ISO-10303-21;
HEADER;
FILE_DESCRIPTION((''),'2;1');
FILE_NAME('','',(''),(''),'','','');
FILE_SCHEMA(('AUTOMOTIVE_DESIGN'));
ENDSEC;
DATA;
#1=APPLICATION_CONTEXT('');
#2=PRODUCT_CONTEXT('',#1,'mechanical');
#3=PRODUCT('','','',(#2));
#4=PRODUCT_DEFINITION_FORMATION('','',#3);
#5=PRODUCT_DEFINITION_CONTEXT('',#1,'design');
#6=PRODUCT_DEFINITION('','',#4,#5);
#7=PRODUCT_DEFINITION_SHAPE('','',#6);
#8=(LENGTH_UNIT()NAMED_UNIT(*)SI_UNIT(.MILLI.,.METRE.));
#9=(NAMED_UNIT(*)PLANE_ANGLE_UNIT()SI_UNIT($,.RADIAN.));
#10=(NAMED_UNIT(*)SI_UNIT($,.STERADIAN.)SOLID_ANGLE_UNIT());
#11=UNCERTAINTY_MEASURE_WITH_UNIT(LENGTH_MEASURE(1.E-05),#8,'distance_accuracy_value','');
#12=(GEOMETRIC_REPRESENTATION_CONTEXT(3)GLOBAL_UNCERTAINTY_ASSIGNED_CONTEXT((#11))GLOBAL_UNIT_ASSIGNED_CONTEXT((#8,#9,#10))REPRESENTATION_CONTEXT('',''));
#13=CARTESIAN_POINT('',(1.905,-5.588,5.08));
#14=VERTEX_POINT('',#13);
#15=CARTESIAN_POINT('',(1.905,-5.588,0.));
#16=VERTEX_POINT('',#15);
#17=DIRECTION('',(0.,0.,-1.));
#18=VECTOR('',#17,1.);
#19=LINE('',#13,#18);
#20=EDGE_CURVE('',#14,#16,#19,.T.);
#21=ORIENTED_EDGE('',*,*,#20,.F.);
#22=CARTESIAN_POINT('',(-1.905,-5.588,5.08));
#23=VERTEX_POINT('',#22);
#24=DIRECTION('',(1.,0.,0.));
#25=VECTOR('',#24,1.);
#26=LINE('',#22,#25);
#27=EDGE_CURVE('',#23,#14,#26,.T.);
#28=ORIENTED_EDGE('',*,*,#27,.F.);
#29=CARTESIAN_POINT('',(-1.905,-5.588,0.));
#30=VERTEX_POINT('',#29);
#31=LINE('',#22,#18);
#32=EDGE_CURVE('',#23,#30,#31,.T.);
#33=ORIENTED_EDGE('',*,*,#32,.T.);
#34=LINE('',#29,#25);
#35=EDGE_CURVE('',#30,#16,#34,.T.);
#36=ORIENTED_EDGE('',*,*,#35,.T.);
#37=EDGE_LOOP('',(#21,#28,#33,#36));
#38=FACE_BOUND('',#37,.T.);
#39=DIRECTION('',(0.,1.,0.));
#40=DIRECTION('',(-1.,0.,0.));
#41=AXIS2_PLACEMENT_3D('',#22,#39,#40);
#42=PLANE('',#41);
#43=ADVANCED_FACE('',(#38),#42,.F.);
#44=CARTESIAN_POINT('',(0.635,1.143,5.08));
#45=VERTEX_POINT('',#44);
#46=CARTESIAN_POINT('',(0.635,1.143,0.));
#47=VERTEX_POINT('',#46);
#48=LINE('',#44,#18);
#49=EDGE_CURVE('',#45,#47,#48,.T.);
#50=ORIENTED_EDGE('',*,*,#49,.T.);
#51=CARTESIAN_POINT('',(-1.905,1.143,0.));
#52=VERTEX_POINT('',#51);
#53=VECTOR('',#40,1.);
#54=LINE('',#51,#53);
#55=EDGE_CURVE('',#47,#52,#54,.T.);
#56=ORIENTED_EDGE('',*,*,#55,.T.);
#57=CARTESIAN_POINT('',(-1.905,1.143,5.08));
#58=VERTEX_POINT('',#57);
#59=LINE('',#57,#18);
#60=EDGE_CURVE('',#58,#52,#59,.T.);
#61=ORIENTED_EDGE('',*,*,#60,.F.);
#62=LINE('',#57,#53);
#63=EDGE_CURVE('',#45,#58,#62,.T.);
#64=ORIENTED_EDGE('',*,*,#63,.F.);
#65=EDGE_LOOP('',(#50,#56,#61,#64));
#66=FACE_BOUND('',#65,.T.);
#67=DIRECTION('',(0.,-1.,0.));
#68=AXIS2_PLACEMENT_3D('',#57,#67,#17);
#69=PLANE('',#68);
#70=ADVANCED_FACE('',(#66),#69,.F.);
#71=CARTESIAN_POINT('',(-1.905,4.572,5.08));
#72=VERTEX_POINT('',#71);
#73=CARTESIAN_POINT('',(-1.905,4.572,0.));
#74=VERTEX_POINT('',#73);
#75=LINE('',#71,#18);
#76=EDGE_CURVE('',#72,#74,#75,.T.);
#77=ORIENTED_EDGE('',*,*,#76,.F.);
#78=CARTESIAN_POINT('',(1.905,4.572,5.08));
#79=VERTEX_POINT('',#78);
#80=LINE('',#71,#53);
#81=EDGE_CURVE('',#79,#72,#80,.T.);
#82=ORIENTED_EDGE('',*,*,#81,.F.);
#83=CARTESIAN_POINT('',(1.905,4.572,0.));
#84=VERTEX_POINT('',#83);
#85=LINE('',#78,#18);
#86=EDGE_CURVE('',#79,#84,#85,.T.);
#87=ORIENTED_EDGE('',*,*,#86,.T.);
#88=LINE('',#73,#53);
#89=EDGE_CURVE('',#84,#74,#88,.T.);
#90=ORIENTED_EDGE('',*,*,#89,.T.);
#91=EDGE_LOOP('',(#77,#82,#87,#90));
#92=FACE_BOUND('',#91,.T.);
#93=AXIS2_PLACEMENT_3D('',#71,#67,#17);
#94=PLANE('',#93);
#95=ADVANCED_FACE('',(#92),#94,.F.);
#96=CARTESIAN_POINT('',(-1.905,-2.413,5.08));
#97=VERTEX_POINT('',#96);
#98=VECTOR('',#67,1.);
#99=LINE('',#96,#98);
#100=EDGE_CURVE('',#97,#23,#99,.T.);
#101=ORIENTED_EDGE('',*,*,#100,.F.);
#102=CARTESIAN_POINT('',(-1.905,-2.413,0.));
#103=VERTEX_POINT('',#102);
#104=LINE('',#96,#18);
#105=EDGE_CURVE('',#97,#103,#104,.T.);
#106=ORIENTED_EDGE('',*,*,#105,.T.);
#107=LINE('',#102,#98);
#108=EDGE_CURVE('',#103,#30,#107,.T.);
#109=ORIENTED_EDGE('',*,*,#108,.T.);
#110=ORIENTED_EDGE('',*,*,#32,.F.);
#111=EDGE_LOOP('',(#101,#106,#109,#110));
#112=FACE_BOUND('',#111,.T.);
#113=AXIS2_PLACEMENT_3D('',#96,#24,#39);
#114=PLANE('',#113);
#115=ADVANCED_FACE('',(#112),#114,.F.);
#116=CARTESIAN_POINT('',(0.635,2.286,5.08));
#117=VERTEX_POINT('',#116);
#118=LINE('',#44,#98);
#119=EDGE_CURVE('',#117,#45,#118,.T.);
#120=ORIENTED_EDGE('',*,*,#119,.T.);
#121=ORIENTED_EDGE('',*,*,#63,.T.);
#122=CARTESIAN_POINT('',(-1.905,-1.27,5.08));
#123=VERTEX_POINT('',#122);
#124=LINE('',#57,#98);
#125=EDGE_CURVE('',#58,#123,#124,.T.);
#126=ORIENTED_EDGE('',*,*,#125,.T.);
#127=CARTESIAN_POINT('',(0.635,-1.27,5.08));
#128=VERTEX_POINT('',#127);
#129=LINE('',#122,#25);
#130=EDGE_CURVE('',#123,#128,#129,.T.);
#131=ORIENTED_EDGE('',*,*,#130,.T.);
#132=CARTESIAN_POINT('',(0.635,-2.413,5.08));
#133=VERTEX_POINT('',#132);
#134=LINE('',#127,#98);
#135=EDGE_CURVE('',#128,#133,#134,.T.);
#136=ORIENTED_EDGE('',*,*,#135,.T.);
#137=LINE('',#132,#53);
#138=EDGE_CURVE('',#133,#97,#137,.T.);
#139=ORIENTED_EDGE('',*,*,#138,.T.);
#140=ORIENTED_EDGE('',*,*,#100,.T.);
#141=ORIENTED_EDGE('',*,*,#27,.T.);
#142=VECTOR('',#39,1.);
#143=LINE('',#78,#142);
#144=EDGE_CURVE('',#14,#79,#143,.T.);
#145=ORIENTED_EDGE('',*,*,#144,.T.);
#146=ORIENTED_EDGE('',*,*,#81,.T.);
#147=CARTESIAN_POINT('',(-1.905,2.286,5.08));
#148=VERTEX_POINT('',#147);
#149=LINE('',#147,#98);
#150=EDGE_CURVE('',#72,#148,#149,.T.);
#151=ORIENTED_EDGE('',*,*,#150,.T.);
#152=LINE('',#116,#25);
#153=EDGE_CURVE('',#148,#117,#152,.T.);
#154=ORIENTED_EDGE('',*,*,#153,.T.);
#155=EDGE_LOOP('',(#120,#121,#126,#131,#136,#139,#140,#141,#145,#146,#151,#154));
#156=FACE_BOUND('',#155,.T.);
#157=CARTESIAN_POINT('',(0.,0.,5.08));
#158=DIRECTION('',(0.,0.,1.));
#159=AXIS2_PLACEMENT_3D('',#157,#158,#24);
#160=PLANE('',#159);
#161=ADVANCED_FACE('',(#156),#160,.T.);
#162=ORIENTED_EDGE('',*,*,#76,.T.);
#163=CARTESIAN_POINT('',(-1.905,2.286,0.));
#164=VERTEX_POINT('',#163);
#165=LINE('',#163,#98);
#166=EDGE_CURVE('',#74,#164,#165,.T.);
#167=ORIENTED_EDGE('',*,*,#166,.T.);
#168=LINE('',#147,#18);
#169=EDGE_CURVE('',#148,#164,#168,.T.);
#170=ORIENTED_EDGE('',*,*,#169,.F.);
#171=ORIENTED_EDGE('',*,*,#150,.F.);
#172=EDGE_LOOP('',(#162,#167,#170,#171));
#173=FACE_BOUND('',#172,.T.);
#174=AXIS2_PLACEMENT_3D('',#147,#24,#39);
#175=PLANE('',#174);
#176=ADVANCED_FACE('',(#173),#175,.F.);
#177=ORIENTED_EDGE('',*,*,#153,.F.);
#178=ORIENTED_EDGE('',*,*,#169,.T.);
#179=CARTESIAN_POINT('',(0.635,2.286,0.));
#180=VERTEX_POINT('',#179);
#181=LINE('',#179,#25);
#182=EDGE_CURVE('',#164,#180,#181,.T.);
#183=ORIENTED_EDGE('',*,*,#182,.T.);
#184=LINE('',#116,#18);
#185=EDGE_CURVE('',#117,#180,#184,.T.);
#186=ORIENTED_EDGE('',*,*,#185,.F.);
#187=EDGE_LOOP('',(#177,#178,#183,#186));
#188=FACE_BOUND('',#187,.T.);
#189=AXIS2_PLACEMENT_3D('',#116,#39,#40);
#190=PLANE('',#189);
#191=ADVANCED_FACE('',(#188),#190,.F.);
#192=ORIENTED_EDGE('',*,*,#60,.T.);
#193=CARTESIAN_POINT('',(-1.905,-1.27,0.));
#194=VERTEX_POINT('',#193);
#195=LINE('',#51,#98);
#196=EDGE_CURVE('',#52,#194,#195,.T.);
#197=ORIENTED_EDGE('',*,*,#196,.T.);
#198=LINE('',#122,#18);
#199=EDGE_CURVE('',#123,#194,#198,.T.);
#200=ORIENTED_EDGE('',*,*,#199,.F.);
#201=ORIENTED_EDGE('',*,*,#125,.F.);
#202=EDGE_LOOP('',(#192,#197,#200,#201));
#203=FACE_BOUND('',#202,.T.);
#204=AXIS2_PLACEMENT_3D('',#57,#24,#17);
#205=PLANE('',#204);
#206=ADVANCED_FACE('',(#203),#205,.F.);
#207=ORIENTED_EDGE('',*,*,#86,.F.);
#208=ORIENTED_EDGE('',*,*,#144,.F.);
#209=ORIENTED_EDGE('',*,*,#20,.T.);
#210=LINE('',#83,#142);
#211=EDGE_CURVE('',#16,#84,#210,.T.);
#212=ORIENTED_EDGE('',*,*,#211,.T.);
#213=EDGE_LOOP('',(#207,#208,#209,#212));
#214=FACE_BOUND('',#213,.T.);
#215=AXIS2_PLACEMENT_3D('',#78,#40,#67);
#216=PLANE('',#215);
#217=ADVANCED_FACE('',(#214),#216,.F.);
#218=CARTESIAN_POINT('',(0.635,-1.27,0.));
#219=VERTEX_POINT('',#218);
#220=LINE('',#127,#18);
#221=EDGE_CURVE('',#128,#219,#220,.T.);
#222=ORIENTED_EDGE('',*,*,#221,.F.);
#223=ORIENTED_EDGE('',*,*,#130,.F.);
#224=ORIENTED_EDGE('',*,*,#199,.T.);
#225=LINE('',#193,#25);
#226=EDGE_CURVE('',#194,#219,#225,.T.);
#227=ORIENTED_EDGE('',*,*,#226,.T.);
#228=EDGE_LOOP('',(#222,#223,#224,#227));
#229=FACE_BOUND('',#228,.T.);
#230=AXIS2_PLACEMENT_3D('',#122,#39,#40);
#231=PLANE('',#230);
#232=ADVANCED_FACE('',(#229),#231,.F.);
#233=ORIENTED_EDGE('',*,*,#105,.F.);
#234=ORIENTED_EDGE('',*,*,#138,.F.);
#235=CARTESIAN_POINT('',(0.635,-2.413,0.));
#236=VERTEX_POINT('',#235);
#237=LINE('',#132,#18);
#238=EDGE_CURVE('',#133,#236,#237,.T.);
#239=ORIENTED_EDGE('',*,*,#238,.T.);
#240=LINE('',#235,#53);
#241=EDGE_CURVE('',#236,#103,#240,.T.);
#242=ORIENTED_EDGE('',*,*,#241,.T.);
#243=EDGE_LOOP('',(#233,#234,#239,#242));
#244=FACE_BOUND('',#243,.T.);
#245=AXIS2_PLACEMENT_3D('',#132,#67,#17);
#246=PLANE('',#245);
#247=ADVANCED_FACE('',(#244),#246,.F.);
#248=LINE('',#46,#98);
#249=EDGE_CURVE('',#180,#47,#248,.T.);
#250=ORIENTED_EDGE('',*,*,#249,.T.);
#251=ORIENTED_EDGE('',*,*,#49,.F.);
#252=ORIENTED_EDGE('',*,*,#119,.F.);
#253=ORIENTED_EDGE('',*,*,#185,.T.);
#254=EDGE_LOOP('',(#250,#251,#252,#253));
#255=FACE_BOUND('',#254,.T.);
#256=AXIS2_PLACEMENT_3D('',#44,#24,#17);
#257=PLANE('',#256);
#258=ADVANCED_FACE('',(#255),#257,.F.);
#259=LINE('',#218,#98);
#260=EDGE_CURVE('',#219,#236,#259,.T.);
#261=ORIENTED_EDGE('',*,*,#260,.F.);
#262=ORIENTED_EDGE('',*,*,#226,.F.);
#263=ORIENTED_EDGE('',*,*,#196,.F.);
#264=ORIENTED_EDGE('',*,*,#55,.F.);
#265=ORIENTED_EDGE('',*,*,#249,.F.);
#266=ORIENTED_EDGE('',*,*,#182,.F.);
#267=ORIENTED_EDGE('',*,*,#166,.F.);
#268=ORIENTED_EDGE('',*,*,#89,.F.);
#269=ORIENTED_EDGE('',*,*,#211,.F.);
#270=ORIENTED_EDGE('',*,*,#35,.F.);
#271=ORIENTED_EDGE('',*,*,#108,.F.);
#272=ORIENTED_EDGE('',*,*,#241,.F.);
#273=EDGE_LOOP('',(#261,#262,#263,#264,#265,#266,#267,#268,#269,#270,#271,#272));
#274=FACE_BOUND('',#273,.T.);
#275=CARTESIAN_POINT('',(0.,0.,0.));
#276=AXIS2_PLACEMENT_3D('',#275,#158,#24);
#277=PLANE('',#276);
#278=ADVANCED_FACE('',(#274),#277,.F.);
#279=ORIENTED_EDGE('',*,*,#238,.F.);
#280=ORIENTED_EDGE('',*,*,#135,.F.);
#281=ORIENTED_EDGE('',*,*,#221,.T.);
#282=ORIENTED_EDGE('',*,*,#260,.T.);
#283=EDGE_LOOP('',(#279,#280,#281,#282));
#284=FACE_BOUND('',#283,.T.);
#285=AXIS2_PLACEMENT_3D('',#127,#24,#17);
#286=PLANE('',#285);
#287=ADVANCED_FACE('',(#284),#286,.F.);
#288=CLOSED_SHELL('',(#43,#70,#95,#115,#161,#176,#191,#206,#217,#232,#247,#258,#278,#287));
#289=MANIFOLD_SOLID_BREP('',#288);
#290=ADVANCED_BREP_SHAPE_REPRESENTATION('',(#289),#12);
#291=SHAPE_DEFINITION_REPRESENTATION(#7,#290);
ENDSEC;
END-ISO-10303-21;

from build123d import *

# Parameters (mm, degrees)
BOSS_EXTRUDE3_DEPTH = 5.08


with BuildPart() as part:
    # Sketch1 → Boss-Extrude3 (new body)
    with BuildSketch(Plane.XY):
        Polygon((-1.905, 1.143), (-1.905, -1.27), (0.635, -1.27), (0.635, -2.413), (-1.905, -2.413), (-1.905, -5.588), (1.905, -5.588), (1.905, 4.572), (-1.905, 4.572), (-1.905, 2.286), (0.635, 2.286), (0.635, 1.143), align=None)
    extrude(amount=BOSS_EXTRUDE3_DEPTH)


solid = part.part
